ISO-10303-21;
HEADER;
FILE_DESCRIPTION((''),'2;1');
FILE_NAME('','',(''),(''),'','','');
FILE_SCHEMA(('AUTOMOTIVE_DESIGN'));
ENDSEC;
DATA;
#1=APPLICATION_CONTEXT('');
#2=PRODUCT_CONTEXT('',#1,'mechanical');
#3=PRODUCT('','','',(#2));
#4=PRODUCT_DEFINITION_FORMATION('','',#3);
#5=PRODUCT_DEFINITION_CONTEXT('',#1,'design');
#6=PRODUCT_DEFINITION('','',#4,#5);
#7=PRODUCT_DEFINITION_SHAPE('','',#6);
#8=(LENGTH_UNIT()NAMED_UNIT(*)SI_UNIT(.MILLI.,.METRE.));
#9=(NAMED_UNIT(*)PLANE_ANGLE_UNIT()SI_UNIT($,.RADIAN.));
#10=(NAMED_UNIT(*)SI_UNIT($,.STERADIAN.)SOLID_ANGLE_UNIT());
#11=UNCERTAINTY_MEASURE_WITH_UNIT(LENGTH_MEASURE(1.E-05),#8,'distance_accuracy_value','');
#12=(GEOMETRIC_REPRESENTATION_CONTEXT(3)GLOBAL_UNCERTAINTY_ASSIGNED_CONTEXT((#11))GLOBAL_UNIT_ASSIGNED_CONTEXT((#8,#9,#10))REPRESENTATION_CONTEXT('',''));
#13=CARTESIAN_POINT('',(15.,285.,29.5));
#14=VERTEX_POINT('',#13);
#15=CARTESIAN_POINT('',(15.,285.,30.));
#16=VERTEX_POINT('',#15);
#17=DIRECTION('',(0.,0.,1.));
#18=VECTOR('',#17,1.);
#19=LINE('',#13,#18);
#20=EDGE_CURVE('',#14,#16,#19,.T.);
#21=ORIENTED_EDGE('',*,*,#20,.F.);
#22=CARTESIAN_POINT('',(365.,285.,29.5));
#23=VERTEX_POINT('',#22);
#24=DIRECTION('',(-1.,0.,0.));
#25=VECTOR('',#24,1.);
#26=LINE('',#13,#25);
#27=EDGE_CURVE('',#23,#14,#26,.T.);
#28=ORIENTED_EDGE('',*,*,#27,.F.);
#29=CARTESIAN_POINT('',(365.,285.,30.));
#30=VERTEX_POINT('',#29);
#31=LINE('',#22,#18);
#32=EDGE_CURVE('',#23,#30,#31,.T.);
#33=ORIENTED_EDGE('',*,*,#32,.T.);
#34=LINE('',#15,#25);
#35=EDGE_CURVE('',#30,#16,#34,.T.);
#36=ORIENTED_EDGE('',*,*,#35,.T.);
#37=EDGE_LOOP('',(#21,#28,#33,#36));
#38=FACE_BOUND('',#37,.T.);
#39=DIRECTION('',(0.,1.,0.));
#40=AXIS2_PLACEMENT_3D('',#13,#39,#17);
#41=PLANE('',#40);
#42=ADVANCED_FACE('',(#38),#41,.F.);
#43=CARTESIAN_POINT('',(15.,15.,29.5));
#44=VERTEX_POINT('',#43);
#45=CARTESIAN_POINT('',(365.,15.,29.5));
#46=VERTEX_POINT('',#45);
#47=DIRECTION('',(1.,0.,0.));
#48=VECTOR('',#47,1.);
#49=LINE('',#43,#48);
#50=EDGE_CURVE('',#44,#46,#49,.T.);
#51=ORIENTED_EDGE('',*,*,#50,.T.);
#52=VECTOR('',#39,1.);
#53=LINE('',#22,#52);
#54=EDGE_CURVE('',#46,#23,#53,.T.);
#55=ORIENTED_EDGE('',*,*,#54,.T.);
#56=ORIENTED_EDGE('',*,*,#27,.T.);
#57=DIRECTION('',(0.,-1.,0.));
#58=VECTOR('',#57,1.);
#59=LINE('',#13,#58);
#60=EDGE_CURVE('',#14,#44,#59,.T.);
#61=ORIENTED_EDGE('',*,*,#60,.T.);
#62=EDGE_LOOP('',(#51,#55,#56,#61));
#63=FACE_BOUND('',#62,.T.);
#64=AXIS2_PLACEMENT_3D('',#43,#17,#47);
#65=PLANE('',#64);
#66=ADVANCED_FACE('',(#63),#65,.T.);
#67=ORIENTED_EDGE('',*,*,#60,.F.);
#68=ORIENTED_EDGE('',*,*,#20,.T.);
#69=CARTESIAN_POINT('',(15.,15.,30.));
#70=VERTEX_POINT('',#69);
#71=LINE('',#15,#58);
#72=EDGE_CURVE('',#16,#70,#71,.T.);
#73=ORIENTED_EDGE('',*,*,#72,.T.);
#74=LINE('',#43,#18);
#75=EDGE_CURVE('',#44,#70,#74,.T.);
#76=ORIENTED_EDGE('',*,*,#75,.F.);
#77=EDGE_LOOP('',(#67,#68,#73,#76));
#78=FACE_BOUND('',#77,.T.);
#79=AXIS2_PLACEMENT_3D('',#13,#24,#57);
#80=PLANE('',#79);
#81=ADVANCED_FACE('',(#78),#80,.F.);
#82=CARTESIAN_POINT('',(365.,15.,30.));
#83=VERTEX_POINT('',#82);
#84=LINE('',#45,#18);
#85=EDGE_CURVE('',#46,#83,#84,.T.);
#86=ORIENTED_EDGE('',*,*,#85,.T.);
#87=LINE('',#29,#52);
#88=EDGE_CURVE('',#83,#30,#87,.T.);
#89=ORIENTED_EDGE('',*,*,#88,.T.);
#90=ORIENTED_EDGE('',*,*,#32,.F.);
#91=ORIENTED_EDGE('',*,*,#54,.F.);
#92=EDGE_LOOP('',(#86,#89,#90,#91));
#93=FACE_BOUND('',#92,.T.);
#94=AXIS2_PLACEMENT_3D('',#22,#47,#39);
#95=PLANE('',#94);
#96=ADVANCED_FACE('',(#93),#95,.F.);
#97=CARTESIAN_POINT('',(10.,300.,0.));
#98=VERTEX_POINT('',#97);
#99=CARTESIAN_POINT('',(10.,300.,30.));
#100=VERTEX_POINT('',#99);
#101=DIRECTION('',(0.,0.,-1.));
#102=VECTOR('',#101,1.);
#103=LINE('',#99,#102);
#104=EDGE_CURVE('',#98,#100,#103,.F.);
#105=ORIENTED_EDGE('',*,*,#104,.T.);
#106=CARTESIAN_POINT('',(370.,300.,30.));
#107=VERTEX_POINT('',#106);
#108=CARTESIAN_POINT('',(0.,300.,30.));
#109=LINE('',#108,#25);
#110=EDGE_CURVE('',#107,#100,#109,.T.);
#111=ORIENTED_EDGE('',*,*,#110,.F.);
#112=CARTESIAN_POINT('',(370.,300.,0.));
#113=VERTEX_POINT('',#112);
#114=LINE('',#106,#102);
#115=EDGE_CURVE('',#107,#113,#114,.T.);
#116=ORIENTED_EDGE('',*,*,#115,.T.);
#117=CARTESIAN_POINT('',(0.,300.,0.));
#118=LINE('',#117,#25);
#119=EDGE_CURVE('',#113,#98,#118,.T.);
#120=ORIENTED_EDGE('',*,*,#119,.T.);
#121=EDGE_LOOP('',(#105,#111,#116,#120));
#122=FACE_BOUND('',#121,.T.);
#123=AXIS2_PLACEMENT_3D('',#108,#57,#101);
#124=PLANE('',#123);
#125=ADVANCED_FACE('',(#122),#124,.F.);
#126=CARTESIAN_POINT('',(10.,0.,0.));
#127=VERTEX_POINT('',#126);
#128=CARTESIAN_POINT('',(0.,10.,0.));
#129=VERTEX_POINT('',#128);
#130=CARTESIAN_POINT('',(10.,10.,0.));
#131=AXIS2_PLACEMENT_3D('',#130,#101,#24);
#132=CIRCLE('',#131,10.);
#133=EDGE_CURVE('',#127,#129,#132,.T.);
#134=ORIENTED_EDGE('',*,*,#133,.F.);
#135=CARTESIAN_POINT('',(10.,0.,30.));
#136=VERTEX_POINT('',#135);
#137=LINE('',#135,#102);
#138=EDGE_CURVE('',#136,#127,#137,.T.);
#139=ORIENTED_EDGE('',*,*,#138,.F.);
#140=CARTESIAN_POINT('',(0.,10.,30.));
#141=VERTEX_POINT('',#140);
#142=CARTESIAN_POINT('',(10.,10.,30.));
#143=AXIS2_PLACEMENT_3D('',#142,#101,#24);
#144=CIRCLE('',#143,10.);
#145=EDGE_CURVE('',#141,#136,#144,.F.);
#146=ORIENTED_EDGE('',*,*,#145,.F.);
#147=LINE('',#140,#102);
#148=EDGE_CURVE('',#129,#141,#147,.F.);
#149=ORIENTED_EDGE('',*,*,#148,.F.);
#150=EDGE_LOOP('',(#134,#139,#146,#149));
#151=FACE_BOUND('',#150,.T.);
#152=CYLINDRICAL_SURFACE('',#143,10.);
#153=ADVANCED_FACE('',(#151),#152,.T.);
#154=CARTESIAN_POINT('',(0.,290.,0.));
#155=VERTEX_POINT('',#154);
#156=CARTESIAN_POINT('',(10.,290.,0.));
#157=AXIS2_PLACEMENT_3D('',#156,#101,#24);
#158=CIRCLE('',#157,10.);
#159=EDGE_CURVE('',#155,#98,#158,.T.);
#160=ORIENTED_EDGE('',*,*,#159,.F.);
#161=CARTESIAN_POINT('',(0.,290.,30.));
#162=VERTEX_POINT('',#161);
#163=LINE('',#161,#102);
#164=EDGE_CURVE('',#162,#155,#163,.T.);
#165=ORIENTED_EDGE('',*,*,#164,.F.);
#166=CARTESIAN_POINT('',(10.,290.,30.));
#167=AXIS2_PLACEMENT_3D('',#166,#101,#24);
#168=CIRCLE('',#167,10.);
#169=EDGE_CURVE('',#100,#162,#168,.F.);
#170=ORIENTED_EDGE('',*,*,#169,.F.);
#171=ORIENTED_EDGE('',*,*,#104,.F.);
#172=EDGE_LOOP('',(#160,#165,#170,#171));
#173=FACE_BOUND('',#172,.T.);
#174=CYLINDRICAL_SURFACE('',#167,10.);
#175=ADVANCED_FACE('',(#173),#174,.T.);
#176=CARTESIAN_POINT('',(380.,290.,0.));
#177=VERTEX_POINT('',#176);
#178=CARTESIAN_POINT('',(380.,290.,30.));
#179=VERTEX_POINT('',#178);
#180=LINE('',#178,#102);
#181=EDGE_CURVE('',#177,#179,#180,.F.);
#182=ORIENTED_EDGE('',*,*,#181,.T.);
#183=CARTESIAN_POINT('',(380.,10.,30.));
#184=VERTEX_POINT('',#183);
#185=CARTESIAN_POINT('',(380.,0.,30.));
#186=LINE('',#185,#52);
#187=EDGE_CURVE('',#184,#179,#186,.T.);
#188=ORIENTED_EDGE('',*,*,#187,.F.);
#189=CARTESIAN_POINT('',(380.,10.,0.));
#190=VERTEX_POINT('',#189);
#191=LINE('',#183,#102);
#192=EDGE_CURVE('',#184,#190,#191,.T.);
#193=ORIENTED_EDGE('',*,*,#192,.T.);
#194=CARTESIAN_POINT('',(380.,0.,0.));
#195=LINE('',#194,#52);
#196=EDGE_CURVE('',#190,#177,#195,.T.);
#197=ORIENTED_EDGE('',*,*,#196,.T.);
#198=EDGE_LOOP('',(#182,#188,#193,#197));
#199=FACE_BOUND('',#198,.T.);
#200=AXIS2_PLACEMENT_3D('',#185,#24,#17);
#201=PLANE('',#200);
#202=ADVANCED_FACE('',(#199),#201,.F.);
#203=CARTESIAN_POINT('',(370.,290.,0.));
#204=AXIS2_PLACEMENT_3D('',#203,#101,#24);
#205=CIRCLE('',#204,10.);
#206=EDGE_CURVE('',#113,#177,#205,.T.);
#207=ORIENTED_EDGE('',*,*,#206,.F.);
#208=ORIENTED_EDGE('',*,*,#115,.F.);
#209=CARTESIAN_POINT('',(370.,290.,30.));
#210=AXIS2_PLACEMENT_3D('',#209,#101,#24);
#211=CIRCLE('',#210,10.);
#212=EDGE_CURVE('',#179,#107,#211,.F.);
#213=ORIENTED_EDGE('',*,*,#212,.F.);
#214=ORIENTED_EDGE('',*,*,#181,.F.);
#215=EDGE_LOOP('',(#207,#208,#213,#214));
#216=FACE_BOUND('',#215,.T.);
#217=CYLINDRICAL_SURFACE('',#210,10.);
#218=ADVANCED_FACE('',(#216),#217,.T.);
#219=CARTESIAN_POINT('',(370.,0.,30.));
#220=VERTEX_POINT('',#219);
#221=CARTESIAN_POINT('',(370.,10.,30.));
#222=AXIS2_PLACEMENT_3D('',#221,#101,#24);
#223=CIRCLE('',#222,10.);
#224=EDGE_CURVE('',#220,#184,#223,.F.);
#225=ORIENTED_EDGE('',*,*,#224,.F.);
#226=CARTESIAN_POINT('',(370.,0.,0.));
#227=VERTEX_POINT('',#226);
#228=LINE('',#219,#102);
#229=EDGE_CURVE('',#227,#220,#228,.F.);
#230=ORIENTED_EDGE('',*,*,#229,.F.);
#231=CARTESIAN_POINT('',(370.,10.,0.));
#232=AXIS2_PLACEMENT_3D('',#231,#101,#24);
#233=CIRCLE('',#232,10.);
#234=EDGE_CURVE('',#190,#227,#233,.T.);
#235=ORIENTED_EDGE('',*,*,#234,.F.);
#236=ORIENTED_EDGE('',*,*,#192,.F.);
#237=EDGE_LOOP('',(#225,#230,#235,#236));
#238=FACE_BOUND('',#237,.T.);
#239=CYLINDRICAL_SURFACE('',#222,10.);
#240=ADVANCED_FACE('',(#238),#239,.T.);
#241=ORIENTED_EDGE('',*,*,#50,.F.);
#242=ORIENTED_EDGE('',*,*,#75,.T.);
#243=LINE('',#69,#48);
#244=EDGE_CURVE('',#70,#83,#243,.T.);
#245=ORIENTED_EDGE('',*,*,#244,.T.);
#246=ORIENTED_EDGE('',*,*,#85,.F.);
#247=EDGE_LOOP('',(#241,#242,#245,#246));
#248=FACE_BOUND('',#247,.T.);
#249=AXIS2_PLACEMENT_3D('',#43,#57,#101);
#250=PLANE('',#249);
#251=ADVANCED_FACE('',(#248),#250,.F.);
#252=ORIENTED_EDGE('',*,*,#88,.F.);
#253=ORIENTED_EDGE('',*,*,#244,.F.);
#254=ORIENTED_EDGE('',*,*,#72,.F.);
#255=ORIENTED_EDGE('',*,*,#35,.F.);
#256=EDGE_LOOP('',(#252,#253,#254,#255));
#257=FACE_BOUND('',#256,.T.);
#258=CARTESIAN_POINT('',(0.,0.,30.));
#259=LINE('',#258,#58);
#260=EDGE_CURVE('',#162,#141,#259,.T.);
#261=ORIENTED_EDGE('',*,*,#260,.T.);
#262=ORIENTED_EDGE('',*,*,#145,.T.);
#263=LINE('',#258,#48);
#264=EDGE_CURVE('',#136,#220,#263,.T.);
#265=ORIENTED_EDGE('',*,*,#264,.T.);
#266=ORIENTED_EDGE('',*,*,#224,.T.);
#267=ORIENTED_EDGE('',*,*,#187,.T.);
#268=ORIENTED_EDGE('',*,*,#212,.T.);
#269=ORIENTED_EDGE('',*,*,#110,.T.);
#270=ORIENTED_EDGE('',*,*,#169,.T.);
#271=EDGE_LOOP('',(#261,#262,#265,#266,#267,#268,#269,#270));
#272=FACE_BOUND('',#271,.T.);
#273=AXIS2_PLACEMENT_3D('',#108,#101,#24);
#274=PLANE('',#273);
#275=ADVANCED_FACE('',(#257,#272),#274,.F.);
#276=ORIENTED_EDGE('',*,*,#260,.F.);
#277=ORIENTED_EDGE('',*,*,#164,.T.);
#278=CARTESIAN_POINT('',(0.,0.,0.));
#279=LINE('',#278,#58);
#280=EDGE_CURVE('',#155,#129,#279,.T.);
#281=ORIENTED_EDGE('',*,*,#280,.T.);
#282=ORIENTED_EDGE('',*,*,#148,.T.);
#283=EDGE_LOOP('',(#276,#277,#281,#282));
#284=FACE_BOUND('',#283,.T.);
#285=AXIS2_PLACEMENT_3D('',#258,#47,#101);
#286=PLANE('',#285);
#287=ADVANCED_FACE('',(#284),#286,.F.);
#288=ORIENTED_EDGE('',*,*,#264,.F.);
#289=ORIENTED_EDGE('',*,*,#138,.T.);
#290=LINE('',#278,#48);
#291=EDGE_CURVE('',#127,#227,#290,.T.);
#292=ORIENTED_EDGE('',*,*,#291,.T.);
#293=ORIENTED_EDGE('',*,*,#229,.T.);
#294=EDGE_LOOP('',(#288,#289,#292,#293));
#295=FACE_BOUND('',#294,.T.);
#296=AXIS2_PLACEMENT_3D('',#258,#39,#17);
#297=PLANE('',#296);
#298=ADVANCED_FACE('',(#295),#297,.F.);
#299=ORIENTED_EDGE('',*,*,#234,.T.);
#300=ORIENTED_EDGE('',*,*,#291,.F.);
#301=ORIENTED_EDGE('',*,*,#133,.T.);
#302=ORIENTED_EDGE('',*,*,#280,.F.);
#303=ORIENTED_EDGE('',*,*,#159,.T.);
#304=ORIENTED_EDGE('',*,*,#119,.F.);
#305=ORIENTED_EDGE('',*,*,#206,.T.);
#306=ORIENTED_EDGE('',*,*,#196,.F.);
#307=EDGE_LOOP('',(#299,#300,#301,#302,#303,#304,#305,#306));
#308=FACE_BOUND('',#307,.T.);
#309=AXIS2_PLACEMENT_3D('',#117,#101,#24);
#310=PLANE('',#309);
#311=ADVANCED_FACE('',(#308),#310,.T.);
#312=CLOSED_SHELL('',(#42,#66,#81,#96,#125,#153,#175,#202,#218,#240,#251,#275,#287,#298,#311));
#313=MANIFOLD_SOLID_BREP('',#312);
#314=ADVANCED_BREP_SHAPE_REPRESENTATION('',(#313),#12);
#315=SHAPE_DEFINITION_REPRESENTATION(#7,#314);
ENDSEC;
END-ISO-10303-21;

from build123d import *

# Parameters (mm, degrees)
SKETCH_1_W          = 380
SKETCH_1_H          = 300
EXTRUDE_1_DEPTH     = 30
SKETCH_2_W          = 350
SKETCH_2_H          = 270
CUT_EXTRUDE_1_DEPTH = 0.5
FILLET_1_R          = 10


with BuildPart() as part:
    # 草图1 → 凸台-拉伸1 (new body)
    with BuildSketch(Plane.XY):
        with Locations((190, 150)):
            Rectangle(SKETCH_1_W, SKETCH_1_H)
    extrude(amount=EXTRUDE_1_DEPTH)

    # 草图2 → 切除-拉伸1 (cut)
    with BuildSketch(Plane.XY.offset(30)):
        with Locations((190, 150)):
            Rectangle(SKETCH_2_W, SKETCH_2_H)
    extrude(amount=-CUT_EXTRUDE_1_DEPTH, mode=Mode.SUBTRACT)

    # 圆角1
    fillet_1_edges = [part.edges().sort_by_distance(p)[0] for p in [
        (0, 300, 15),
        (380, 300, 15),
        (380, 0, 15),
        (0, 0, 15),
    ]]
    fillet(fillet_1_edges, radius=FILLET_1_R)


solid = part.part
